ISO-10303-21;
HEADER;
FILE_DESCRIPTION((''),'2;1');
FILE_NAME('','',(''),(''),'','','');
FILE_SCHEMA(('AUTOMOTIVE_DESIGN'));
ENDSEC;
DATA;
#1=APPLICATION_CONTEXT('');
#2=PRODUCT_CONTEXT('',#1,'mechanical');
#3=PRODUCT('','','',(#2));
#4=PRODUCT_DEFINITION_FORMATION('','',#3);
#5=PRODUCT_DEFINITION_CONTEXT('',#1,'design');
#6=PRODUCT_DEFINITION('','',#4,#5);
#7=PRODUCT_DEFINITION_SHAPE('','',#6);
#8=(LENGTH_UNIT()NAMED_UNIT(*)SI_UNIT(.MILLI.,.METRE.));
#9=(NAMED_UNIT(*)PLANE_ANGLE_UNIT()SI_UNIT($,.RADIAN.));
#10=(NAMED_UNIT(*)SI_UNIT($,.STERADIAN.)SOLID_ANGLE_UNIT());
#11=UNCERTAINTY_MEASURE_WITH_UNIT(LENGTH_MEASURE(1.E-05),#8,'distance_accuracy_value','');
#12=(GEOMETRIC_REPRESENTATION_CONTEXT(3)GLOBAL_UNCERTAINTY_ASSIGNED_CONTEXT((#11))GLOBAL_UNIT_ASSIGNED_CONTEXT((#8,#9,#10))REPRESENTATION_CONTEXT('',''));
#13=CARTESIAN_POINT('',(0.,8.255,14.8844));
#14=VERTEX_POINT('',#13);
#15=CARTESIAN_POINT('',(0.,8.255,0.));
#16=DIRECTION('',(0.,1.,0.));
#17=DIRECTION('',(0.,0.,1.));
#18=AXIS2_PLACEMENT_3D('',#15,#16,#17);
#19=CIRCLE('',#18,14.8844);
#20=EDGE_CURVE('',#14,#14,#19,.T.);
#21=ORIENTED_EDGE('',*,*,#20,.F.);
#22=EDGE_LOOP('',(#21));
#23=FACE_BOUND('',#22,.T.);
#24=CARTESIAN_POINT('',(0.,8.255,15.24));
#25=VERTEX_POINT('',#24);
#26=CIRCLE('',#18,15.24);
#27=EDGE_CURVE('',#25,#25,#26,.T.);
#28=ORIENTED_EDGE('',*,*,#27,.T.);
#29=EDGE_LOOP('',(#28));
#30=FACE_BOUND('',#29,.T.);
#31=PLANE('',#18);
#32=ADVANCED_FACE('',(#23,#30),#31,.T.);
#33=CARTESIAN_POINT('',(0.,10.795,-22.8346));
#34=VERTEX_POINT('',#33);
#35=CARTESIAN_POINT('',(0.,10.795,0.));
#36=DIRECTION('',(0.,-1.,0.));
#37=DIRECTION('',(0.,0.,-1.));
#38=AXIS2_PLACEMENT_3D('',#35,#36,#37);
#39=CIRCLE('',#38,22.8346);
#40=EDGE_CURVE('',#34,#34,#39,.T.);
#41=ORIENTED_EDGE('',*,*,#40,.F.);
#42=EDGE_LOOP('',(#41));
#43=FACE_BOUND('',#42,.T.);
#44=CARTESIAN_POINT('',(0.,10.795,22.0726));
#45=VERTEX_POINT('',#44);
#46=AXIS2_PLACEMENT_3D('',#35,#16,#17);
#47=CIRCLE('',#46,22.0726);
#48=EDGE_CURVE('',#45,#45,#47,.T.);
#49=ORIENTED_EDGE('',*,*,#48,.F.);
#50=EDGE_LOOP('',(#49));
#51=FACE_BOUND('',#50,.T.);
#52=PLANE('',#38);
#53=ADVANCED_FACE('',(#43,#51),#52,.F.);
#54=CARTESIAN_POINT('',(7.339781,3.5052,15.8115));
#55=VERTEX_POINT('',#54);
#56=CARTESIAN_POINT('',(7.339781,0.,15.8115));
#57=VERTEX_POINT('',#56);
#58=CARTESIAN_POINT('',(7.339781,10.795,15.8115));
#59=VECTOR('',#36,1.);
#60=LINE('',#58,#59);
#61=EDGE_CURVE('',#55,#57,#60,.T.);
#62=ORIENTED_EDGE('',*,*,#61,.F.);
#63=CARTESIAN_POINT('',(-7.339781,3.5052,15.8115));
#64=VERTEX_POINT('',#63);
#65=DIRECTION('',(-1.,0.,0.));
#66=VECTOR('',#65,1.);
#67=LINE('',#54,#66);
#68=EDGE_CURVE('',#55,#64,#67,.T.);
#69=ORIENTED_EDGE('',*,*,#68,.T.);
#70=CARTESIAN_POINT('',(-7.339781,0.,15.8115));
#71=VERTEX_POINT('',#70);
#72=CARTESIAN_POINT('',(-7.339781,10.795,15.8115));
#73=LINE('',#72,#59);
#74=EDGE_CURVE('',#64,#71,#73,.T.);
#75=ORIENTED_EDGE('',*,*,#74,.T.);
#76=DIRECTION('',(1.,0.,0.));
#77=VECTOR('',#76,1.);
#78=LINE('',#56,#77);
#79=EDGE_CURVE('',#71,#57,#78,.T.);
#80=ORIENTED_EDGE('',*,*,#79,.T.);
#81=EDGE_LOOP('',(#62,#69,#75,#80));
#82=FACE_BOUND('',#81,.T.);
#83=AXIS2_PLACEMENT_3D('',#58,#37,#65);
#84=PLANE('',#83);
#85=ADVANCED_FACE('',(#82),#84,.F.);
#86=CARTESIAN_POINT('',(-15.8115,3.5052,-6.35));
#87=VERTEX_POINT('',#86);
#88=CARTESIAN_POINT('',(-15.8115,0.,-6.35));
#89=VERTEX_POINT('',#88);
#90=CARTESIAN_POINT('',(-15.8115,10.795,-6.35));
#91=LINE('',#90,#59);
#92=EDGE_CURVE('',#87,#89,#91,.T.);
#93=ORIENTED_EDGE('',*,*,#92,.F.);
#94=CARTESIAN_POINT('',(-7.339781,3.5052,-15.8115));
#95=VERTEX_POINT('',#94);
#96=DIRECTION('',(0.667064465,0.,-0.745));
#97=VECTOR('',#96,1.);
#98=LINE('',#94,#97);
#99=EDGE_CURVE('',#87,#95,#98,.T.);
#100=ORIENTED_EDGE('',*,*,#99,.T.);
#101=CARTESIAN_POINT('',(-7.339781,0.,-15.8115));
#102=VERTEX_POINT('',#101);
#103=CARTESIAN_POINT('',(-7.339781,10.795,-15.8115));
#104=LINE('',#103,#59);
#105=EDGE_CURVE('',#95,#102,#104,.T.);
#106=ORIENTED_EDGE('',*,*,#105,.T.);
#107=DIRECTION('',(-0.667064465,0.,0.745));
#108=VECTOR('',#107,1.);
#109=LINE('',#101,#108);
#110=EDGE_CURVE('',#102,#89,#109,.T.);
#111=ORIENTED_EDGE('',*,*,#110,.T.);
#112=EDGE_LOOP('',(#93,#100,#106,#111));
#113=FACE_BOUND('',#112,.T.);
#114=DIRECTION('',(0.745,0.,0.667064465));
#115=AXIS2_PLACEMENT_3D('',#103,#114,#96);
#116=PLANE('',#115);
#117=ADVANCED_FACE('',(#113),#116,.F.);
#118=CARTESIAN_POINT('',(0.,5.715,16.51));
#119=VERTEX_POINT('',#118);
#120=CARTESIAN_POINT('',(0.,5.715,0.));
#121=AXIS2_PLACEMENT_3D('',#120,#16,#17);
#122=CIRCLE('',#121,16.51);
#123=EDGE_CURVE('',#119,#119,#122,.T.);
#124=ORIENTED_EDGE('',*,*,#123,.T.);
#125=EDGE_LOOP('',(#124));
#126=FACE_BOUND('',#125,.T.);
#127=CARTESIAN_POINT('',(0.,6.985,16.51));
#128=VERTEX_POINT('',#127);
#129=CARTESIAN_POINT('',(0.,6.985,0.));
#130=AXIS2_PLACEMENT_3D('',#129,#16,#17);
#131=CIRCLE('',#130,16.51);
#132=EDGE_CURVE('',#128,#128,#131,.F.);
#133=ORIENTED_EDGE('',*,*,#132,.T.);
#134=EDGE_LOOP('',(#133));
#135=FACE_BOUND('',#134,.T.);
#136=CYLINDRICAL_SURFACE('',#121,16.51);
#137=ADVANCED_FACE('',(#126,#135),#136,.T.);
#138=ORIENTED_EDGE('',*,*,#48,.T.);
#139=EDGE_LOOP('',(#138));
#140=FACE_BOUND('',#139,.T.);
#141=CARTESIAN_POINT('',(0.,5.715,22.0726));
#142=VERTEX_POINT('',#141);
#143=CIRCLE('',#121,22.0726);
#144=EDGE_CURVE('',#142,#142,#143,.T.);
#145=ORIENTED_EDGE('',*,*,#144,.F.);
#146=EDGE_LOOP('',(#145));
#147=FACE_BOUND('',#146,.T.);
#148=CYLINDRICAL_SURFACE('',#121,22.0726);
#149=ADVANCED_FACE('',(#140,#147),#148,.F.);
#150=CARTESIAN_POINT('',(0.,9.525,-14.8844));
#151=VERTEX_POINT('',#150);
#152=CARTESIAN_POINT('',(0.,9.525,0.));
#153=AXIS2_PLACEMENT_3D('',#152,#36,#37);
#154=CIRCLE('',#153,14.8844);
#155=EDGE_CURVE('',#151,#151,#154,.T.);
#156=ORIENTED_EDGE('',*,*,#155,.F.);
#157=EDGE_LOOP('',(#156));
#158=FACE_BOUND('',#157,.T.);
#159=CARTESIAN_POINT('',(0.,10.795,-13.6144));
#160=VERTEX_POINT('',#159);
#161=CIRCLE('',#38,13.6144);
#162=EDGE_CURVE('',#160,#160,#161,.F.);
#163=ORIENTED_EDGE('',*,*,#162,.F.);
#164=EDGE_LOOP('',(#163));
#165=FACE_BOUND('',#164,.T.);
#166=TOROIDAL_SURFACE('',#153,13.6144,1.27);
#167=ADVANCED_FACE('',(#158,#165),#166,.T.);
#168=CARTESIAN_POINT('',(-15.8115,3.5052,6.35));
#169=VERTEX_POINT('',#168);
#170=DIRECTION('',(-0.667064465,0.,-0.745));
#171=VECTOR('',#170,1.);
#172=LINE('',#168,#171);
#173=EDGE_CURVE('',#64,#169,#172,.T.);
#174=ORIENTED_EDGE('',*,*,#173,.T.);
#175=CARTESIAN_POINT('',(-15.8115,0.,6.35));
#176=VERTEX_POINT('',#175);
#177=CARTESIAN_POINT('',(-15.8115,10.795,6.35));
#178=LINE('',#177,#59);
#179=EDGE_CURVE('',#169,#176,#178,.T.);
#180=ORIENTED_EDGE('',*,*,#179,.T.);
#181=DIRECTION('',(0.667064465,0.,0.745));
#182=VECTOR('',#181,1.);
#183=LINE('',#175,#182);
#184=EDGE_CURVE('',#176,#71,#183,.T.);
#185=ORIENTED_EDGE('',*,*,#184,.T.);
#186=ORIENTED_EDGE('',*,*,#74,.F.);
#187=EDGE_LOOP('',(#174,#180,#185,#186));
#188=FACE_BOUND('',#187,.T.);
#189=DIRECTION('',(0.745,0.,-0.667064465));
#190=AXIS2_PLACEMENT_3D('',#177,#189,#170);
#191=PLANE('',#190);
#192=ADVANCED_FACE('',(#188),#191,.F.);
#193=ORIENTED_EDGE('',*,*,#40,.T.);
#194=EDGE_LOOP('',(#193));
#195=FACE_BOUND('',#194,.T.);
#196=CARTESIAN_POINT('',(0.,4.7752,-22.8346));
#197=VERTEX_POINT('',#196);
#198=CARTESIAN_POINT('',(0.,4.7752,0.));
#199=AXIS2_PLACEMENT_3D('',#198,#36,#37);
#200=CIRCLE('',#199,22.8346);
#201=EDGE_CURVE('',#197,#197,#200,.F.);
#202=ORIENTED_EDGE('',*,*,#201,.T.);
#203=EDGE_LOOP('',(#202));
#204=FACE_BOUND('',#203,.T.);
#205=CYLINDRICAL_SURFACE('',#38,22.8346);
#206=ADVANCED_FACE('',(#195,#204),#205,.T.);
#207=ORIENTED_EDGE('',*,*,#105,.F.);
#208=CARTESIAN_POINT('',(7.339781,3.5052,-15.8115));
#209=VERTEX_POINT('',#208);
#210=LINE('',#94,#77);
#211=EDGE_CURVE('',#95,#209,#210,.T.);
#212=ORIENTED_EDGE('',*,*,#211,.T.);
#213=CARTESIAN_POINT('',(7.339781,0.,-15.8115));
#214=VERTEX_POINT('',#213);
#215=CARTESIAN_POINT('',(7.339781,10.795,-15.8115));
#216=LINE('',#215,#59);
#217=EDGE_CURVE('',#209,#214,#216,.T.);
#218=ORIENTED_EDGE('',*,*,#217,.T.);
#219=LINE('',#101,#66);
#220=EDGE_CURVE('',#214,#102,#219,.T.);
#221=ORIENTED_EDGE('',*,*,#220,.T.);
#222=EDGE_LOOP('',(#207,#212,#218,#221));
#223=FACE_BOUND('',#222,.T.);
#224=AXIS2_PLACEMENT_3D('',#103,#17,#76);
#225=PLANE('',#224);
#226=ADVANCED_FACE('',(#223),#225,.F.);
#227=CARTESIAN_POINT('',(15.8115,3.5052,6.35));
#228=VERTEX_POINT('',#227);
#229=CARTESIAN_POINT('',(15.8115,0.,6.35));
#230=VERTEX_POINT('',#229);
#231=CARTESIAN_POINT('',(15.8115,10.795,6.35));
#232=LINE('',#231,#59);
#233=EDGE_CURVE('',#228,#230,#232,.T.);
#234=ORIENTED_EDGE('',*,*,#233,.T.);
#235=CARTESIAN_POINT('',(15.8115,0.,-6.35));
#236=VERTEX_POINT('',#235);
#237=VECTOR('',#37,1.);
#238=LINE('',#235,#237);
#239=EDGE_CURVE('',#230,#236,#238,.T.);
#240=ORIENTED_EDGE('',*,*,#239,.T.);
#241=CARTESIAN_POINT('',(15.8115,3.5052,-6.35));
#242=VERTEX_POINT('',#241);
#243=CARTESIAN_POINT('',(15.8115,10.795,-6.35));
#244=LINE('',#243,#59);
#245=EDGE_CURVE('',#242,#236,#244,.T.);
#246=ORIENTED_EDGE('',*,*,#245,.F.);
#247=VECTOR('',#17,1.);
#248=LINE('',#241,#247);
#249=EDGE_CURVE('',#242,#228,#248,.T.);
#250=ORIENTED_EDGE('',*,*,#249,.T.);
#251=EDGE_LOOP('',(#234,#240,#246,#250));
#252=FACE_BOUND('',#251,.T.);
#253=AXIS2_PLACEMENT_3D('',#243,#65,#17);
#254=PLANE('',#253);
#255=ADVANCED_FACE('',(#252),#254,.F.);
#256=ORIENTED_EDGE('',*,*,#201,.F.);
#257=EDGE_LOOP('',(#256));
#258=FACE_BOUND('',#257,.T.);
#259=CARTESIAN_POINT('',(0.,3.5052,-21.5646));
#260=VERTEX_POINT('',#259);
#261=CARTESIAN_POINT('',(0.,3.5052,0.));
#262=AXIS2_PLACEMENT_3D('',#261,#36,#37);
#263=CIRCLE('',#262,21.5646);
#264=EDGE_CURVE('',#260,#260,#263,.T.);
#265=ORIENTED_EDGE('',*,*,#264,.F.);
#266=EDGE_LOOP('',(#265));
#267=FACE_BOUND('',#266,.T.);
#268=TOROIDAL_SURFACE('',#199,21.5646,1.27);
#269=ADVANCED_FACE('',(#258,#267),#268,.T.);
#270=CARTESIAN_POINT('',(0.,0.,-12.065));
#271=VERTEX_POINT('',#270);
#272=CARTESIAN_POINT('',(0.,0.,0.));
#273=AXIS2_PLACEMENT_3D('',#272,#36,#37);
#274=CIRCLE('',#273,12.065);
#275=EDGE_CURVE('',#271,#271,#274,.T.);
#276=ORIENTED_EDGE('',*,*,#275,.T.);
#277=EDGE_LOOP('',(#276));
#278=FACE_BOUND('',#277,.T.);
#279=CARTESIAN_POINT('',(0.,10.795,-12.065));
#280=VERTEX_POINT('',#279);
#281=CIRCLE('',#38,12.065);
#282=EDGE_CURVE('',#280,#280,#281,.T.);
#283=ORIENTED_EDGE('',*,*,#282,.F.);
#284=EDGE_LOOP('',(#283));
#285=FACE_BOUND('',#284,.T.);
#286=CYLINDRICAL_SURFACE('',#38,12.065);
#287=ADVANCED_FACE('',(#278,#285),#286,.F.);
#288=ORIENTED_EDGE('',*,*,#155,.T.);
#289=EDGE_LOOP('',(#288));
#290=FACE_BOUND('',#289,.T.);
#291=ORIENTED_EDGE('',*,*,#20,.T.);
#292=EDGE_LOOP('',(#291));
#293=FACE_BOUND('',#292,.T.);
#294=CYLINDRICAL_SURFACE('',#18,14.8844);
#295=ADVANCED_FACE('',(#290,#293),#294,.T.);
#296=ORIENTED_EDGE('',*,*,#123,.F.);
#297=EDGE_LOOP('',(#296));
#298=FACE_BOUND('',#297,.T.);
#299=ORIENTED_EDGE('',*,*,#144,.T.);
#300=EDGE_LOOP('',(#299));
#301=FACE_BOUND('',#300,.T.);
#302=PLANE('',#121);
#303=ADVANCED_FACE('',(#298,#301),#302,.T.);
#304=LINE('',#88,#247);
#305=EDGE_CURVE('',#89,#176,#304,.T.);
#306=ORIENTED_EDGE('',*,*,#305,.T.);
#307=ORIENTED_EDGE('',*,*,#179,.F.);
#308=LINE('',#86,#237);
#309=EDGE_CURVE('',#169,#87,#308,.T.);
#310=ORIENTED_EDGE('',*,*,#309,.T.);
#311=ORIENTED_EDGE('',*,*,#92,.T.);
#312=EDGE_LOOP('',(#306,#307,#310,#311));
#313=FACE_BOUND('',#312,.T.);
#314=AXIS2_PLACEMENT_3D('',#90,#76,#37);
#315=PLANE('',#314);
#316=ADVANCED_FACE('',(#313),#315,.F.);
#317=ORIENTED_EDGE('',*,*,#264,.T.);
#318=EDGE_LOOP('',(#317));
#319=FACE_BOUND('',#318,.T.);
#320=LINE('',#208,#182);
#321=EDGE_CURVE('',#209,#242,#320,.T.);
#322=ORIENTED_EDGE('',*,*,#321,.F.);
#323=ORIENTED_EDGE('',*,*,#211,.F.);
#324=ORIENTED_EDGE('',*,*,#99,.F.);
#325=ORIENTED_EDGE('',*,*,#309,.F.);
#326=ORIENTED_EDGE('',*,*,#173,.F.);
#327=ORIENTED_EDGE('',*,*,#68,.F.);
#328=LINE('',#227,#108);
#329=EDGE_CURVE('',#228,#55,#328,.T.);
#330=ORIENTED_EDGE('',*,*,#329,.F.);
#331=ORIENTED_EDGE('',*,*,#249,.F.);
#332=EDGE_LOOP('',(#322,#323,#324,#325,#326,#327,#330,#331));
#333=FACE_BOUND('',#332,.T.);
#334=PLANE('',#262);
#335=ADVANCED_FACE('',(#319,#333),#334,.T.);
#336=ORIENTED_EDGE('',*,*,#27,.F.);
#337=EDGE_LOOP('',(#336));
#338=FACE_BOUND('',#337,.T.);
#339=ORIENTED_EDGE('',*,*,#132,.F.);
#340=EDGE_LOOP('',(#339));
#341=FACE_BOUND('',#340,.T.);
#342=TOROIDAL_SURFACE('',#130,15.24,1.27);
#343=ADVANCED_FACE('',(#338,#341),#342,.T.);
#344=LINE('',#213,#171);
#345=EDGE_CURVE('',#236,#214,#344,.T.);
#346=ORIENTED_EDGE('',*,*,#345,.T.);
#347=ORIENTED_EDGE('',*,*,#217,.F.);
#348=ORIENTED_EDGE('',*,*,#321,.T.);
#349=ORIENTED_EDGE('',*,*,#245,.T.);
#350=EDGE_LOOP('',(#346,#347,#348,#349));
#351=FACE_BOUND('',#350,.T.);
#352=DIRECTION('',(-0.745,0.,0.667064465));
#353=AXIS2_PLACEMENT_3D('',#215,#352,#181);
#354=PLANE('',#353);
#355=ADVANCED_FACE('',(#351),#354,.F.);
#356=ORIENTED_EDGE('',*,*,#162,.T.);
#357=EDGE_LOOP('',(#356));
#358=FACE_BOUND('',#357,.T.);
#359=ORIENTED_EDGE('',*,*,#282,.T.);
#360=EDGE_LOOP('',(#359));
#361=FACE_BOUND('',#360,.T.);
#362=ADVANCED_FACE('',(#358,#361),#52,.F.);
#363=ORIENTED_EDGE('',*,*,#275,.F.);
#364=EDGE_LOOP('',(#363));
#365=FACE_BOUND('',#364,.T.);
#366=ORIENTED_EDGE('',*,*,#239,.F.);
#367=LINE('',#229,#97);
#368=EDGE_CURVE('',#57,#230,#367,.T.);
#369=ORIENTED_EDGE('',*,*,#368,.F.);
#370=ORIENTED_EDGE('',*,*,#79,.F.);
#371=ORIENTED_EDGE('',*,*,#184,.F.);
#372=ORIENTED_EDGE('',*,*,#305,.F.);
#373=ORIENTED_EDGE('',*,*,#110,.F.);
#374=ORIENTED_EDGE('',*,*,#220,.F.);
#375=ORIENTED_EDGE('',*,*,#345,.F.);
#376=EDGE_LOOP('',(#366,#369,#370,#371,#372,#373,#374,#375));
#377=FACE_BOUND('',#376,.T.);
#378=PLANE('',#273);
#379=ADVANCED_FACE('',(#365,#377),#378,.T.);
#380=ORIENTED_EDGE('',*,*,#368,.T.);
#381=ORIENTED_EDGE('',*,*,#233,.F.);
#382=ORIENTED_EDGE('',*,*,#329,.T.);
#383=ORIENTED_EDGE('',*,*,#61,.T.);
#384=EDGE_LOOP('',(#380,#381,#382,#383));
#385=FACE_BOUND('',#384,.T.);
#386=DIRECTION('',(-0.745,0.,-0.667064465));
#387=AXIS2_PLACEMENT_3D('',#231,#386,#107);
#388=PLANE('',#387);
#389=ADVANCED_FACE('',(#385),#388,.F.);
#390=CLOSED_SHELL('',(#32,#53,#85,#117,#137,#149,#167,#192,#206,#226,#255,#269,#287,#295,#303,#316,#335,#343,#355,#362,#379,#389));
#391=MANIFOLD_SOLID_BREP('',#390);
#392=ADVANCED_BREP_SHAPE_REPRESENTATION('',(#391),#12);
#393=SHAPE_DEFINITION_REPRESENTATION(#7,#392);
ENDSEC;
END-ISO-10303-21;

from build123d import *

# Parameters (mm, degrees)
BOSS_EXTRUDE1_DEPTH = 10.795
SKETCH2_R           = 22.8346
BOSS_EXTRUDE2_DEPTH = 7.2898
SKETCH3_R           = 22.0726
SKETCH3_R_2         = 16.51
CUT_EXTRUDE1_DEPTH  = 5.08
SKETCH4_R           = 12.065
CUT_EXTRUDE2_DEPTH  = 11.795
SKETCH5_R           = 18.1356
SKETCH5_R_2         = 14.8844
CUT_EXTRUDE5_DEPTH  = 2.54
FILLET1_R           = 1.27
FILLET2_R           = 1.27
FILLET3_R           = 1.27


with BuildPart() as part:
    # Sketch1 → Boss-Extrude1 (new body)
    with BuildSketch(Plane(origin=(0, 0, 0), x_dir=(1, 0, 0), z_dir=(0, 1, 0))):
        Polygon((-7.339781299, 15.8115), (7.339781299, 15.8115), (15.8115, 6.35), (15.8115, -6.35), (7.339781299, -15.8115), (-7.339781299, -15.8115), (-15.8115, -6.35), (-15.8115, 6.35), align=None)
    extrude(amount=BOSS_EXTRUDE1_DEPTH)

    # Sketch2 → Boss-Extrude2 (add)
    with BuildSketch(Plane(origin=(0, 3.5052, 0), x_dir=(-1, 0, 0), z_dir=(0, -1, 0))):
        Circle(SKETCH2_R)
    extrude(amount=-BOSS_EXTRUDE2_DEPTH)

    # Sketch3 → Cut-Extrude1 (cut)
    with BuildSketch(Plane(origin=(0, 10.795, 0), x_dir=(1, 0, 0), z_dir=(0, 1, 0))):
        Circle(SKETCH3_R)
        Circle(SKETCH3_R_2, mode=Mode.SUBTRACT)
    extrude(amount=-CUT_EXTRUDE1_DEPTH, mode=Mode.SUBTRACT)

    # Sketch4 → Cut-Extrude2 (cut, through all)
    with BuildSketch(Plane.XZ):
        Circle(SKETCH4_R)
    extrude(amount=-CUT_EXTRUDE2_DEPTH, mode=Mode.SUBTRACT)

    # Sketch5 → Cut-Extrude5 (cut)
    with BuildSketch(Plane(origin=(0, 10.795, 0), x_dir=(1, 0, 0), z_dir=(0, 1, 0))):
        Circle(SKETCH5_R)
        Circle(SKETCH5_R_2, mode=Mode.SUBTRACT)
    extrude(amount=-CUT_EXTRUDE5_DEPTH, mode=Mode.SUBTRACT)

    # Fillet1
    fillet1_edges = [part.edges().sort_by_distance(p)[0] for p in [
        (-14.8844, 10.795, 0),
    ]]
    fillet(fillet1_edges, radius=FILLET1_R)

    # Fillet2
    fillet2_edges = [part.edges().sort_by_distance(p)[0] for p in [
        (-16.51, 8.255, 0),
    ]]
    fillet(fillet2_edges, radius=FILLET2_R)

    # Fillet3
    fillet3_edges = [part.edges().sort_by_distance(p)[0] for p in [
        (22.8346, 3.5052, 0),
    ]]
    fillet(fillet3_edges, radius=FILLET3_R)


solid = part.part
